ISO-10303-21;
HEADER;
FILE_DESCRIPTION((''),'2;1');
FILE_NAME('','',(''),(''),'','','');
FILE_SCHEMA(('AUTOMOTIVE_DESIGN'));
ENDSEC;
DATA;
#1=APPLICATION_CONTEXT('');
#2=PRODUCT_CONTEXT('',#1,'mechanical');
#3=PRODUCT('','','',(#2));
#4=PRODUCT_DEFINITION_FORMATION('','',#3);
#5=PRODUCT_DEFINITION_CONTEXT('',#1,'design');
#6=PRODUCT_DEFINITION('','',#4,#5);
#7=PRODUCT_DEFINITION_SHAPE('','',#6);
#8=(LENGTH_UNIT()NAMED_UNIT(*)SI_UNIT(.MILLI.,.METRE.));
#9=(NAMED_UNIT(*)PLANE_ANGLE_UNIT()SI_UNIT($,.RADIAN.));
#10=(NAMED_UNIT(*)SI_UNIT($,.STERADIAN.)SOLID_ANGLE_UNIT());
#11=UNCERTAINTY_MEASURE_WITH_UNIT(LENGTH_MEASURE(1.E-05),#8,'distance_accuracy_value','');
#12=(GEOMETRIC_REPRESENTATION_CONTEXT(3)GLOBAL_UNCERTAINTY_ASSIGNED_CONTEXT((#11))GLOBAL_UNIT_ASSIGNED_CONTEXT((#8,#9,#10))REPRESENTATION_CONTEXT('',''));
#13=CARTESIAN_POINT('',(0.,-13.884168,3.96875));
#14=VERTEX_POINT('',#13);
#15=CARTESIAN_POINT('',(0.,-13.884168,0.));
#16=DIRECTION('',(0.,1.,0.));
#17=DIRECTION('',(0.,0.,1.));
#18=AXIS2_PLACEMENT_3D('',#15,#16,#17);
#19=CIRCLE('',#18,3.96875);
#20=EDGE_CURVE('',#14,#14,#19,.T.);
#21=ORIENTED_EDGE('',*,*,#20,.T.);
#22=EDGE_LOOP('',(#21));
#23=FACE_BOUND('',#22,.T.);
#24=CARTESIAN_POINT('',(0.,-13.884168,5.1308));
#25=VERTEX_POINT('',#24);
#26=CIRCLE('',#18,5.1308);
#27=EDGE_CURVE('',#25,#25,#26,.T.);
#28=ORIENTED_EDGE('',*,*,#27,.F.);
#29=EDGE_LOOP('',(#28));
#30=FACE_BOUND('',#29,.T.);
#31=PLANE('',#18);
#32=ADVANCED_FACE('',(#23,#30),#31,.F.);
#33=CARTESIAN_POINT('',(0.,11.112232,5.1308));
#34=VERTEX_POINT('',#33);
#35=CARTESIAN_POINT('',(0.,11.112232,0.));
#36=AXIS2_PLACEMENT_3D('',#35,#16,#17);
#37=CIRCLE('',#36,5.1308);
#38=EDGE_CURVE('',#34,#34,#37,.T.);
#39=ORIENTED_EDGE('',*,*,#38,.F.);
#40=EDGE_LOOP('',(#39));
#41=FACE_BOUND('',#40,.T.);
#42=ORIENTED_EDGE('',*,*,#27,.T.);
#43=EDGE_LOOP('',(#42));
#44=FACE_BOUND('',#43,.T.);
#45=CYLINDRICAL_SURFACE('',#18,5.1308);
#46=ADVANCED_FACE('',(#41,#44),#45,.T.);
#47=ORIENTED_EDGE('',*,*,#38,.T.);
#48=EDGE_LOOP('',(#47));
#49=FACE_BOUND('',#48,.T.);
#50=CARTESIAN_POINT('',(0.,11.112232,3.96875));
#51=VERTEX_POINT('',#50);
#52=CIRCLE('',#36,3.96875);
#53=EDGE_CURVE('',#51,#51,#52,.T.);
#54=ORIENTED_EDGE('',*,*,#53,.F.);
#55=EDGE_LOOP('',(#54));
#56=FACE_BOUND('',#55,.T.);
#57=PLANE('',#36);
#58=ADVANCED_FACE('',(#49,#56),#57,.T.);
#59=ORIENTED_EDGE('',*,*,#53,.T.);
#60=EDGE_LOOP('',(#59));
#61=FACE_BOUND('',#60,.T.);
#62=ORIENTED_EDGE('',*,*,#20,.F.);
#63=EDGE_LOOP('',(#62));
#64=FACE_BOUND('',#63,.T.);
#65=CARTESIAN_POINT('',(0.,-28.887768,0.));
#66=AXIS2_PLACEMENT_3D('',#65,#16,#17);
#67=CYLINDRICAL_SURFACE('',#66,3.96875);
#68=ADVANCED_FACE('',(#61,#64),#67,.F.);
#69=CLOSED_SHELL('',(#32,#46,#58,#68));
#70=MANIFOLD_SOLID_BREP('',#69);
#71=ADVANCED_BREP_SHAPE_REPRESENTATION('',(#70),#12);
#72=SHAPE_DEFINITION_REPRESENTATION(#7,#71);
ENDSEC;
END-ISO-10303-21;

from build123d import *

# Parameters (mm, degrees)
BOSS_EXTRUDE1_DEPTH      = 21.9964
BOSS_EXTRUDE1_DEPTH_BACK = 3
SKETCH1_R                = 5.1308
SKETCH2_R                = 3.96875
CUT_EXTRUDE1_DEPTH       = 40


with BuildPart() as part:
    # Sketch1 → Boss-Extrude1 (new, two sides: drawn at the far end of the back side and taken through both)
    with BuildSketch(Plane(origin=(0.121948519, -10.884167759, 6.400144961), x_dir=(1, 0, 0), z_dir=(0, 1, 0)).offset(-BOSS_EXTRUDE1_DEPTH_BACK)):
        with Locations(Location((-0.121948519, 6.400144961, 0), (0, 0, 270))):
            Circle(SKETCH1_R)
    extrude(amount=BOSS_EXTRUDE1_DEPTH + BOSS_EXTRUDE1_DEPTH_BACK)

    # Sketch2 → Cut-Extrude1 (cut)
    with BuildSketch(Plane(origin=(0, 11.112232241, 0), x_dir=(1, 0, 0), z_dir=(0, 1, 0))):
        with Locations(Location((0, 0, 0), (0, 0, 270))):
            Circle(SKETCH2_R)
    extrude(amount=-CUT_EXTRUDE1_DEPTH, mode=Mode.SUBTRACT)


solid = part.part
